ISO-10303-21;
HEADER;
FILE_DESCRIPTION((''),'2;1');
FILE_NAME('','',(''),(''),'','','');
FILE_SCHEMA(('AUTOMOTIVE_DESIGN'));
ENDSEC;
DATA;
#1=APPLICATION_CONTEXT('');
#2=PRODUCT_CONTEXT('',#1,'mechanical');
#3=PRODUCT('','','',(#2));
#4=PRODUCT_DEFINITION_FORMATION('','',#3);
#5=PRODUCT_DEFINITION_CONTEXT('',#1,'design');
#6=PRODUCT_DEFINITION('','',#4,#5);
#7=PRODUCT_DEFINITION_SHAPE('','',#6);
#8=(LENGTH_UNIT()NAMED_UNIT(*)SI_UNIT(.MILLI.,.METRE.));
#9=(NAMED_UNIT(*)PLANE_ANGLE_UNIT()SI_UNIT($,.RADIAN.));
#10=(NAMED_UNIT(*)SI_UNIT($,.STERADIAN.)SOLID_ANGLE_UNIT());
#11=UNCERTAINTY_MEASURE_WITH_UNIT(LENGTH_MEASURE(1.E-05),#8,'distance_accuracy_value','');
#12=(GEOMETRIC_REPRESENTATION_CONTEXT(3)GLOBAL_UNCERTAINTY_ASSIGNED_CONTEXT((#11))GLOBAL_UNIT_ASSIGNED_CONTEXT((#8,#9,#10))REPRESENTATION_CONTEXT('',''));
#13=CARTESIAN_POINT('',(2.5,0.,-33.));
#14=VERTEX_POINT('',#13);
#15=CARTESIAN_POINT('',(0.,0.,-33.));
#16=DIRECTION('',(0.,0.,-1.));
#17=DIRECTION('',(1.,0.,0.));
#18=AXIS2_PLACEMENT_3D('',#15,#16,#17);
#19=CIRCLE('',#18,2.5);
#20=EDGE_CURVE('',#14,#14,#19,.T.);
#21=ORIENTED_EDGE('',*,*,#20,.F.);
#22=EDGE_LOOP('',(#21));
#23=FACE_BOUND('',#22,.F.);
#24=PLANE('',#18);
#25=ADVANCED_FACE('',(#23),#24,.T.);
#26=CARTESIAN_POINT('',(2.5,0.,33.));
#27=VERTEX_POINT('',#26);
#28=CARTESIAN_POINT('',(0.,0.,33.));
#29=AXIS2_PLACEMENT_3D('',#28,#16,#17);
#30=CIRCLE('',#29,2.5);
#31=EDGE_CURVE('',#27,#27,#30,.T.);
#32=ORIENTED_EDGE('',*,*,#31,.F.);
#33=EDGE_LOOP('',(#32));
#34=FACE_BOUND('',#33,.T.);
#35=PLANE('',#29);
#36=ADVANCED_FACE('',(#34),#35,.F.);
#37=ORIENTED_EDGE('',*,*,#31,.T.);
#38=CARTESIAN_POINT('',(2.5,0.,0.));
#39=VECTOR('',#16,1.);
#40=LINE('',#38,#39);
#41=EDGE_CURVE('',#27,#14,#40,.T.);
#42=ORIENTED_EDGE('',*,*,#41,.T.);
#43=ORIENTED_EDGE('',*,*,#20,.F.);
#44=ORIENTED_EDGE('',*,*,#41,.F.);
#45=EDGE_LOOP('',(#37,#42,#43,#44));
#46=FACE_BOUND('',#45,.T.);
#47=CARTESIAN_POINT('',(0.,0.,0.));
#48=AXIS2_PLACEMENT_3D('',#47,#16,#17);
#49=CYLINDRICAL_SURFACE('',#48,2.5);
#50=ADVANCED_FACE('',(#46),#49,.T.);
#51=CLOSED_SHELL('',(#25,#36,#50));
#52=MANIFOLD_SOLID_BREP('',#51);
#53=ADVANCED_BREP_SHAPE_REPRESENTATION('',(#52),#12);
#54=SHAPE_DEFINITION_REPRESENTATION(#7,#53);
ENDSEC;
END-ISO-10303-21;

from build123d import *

# Parameters (mm, degrees)
SKETCH1_W = 2.5
SKETCH1_H = 66


with BuildPart() as part:
    # Sketch1 → Revolve1 (revolve)
    with BuildSketch(Plane(origin=(0, 0, 0), x_dir=(1, 0, 0), z_dir=(0, 1, 0))):
        with Locations((1.25, 0)):
            Rectangle(SKETCH1_W, SKETCH1_H)
    revolve(axis=Axis((0, 0, 53.783821327), (0, 0, -1)))


solid = part.part
